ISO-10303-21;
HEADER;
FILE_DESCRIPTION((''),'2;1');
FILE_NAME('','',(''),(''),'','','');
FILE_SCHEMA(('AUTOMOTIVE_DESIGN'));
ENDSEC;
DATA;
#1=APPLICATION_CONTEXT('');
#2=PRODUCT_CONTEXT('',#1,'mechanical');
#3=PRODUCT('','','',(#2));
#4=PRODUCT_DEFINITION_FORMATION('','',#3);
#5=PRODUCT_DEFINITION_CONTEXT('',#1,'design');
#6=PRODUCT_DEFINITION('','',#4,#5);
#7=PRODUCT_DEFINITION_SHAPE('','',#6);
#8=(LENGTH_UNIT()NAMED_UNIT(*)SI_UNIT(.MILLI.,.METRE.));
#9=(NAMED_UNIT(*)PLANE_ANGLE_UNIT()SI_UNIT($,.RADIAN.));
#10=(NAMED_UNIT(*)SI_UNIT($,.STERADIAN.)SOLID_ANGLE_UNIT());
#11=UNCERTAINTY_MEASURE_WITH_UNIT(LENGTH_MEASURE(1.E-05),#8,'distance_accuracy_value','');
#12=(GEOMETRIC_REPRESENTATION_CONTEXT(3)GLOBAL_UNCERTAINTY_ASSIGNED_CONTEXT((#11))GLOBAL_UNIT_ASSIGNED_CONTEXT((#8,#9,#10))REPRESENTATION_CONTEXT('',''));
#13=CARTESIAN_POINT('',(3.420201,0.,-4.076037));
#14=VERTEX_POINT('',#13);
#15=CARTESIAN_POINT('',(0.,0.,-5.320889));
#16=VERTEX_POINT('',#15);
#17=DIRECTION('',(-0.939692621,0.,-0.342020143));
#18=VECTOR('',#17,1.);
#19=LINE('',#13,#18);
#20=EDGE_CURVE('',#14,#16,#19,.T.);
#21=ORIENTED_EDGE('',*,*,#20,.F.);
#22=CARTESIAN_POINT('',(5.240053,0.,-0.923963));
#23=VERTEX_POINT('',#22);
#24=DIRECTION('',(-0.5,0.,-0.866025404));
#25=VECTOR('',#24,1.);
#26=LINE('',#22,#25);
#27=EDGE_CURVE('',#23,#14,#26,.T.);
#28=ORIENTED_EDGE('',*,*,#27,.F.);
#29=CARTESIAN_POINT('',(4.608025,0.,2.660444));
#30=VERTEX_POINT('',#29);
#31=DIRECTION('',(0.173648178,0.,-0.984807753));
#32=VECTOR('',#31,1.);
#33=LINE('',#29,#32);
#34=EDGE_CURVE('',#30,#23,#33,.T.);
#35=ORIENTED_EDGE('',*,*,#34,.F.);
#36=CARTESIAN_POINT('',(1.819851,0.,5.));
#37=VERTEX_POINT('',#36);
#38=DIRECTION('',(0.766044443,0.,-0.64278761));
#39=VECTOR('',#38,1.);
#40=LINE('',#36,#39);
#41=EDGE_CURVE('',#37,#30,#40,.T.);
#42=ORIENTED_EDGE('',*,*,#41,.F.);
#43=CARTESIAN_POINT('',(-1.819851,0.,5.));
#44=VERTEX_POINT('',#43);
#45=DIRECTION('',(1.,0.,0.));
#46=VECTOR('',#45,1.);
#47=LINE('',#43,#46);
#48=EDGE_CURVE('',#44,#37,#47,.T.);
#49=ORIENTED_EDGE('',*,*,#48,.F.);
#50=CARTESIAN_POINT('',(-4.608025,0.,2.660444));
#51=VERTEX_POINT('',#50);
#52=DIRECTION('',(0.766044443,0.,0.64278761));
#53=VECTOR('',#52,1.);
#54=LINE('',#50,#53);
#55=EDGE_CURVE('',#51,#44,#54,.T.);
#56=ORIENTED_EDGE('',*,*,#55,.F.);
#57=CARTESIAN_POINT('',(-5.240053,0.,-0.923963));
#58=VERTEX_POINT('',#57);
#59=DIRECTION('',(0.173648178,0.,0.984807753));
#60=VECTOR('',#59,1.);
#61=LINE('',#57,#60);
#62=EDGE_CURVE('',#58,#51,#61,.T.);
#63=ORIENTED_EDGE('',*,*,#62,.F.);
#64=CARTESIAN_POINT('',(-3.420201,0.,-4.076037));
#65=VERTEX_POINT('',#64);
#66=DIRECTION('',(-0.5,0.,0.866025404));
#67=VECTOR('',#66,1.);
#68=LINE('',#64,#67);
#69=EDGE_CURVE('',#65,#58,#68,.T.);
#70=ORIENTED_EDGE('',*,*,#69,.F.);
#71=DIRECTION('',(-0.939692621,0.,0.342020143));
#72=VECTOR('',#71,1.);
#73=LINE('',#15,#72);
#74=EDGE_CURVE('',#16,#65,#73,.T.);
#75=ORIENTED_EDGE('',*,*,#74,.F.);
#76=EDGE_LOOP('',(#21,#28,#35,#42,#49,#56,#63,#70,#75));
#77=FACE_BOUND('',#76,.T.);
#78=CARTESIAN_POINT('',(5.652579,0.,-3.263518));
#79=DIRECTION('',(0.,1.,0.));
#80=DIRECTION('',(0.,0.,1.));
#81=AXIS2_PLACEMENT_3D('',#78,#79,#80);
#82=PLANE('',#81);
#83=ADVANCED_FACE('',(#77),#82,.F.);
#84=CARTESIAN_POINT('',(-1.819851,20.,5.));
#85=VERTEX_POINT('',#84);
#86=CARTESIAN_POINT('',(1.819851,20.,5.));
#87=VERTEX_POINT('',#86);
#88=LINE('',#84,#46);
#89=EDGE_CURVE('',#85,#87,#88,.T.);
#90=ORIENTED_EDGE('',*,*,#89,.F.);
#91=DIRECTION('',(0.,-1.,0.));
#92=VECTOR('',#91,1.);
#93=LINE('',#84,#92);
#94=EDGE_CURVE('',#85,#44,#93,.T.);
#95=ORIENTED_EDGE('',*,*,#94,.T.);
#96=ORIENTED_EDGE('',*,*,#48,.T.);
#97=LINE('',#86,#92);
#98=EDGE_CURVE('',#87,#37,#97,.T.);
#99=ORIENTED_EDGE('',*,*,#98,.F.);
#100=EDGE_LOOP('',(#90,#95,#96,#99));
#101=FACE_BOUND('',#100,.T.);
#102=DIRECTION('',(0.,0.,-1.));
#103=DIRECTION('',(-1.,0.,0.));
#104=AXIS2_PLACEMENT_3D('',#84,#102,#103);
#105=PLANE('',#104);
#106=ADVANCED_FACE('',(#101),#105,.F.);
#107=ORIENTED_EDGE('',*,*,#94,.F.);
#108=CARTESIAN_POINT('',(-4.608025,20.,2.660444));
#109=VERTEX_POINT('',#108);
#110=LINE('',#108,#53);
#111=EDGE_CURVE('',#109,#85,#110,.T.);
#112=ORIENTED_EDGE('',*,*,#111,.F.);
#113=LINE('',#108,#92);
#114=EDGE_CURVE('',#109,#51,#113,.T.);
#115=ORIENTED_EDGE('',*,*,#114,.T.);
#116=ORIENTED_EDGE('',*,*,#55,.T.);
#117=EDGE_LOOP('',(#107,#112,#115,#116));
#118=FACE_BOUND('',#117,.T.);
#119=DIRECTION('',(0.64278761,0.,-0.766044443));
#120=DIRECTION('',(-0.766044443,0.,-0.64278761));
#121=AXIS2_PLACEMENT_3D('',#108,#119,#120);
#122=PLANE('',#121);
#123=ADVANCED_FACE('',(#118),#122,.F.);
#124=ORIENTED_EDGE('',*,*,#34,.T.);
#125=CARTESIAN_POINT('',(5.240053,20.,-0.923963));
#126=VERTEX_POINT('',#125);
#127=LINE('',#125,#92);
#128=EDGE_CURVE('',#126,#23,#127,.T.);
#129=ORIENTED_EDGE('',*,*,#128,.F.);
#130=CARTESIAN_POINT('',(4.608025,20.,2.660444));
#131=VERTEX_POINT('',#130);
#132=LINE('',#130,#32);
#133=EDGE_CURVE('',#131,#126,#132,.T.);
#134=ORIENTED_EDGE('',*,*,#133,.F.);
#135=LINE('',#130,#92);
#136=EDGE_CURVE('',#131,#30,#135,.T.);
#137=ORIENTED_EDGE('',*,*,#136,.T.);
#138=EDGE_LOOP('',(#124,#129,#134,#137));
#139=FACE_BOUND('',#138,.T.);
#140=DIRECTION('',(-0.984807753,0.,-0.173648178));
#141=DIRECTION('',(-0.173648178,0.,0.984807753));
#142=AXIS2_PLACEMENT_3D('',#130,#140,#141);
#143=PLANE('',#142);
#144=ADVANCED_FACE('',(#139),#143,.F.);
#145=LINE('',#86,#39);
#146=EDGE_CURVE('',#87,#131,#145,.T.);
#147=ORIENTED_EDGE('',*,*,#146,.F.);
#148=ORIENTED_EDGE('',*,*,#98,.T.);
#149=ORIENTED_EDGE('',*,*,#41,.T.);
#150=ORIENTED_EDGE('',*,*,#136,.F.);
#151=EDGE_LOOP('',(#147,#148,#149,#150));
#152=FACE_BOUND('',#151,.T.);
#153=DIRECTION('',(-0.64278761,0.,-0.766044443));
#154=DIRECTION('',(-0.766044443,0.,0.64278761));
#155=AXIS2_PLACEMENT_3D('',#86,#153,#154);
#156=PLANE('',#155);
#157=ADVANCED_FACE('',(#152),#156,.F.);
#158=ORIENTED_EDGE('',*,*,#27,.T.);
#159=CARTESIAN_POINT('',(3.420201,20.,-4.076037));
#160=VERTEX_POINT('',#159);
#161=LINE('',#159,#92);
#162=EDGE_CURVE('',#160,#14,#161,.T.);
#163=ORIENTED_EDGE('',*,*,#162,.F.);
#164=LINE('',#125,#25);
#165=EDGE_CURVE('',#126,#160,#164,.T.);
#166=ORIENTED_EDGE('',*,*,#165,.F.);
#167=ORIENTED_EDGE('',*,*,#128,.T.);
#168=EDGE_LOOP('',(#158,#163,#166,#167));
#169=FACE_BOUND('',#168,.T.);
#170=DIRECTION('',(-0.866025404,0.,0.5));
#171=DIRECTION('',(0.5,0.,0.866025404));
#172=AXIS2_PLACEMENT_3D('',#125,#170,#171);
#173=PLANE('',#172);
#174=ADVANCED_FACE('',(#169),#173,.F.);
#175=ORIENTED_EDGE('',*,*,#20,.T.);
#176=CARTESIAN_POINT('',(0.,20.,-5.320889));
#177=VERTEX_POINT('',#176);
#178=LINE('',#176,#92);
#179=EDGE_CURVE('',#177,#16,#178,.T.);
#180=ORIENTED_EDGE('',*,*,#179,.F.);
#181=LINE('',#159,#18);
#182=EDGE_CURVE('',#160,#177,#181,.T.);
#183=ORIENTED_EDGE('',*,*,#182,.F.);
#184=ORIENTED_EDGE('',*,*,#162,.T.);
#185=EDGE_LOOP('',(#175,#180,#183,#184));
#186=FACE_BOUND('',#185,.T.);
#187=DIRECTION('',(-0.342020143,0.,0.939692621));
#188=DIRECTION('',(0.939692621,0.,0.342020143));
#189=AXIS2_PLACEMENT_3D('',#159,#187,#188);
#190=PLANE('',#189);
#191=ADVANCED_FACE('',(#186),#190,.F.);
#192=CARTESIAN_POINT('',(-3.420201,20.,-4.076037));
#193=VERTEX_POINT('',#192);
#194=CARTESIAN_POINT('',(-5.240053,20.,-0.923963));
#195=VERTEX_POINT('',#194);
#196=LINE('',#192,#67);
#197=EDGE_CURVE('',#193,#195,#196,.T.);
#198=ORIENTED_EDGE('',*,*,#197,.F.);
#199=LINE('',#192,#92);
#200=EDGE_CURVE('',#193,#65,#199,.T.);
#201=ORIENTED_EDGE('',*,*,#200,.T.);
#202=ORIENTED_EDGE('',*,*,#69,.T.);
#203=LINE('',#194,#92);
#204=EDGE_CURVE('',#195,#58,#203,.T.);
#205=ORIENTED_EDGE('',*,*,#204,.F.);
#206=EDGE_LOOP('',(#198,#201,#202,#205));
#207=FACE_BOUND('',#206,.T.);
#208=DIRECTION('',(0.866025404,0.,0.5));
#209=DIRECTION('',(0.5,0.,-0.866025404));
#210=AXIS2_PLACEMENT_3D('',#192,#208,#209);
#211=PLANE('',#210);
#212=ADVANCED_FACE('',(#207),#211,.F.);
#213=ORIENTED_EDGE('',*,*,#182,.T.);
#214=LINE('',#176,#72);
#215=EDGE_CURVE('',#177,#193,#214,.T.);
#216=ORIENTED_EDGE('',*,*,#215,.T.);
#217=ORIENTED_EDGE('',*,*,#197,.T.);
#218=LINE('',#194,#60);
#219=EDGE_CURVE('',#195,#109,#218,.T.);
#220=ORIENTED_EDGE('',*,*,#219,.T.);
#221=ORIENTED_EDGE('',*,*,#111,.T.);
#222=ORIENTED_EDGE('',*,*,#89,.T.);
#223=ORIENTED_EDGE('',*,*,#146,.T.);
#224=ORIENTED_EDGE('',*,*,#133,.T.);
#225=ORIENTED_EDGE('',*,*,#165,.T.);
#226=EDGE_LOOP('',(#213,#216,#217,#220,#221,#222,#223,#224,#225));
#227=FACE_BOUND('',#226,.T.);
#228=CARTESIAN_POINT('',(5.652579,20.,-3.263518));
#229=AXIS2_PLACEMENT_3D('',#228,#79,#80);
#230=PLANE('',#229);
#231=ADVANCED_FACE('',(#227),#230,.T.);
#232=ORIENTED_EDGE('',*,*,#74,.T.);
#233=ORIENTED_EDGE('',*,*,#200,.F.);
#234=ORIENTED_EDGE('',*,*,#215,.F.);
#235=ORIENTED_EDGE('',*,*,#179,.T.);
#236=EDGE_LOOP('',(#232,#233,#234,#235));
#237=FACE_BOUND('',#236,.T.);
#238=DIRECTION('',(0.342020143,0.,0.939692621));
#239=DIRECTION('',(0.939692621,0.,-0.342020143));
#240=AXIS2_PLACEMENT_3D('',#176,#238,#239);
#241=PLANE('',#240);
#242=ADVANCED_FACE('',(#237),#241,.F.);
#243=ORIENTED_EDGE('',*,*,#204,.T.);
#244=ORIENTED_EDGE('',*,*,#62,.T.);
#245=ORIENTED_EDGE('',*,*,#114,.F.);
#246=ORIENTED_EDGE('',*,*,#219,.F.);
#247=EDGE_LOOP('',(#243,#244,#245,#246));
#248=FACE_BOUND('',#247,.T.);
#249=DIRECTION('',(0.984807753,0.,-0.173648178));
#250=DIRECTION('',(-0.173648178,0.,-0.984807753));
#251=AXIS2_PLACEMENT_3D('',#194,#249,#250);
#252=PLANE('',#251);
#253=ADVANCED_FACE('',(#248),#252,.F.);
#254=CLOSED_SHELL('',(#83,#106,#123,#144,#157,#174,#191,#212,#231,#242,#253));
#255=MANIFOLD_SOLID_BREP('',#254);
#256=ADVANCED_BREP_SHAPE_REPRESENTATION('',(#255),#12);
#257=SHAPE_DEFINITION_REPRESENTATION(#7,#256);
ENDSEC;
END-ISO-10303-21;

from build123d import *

# Parameters (mm, degrees)
EXTRUDE1_DEPTH = 20


with BuildPart() as part:
    # Sketch1 → Extrude1 (new body)
    with BuildSketch(Plane(origin=(0, 0, 0), x_dir=(1, 0, 0), z_dir=(0, 1, 0))):
        Polygon((5.240052605, 0.923962655), (3.420201433, 4.076037345), (0, 5.320888862), (-3.420201433, 4.076037345), (-5.240052605, 0.923962655), (-4.608024926, -2.660444431), (-1.819851171, -5), (1.819851171, -5), (4.608024926, -2.660444431), align=None)
    extrude(amount=EXTRUDE1_DEPTH)


solid = part.part
